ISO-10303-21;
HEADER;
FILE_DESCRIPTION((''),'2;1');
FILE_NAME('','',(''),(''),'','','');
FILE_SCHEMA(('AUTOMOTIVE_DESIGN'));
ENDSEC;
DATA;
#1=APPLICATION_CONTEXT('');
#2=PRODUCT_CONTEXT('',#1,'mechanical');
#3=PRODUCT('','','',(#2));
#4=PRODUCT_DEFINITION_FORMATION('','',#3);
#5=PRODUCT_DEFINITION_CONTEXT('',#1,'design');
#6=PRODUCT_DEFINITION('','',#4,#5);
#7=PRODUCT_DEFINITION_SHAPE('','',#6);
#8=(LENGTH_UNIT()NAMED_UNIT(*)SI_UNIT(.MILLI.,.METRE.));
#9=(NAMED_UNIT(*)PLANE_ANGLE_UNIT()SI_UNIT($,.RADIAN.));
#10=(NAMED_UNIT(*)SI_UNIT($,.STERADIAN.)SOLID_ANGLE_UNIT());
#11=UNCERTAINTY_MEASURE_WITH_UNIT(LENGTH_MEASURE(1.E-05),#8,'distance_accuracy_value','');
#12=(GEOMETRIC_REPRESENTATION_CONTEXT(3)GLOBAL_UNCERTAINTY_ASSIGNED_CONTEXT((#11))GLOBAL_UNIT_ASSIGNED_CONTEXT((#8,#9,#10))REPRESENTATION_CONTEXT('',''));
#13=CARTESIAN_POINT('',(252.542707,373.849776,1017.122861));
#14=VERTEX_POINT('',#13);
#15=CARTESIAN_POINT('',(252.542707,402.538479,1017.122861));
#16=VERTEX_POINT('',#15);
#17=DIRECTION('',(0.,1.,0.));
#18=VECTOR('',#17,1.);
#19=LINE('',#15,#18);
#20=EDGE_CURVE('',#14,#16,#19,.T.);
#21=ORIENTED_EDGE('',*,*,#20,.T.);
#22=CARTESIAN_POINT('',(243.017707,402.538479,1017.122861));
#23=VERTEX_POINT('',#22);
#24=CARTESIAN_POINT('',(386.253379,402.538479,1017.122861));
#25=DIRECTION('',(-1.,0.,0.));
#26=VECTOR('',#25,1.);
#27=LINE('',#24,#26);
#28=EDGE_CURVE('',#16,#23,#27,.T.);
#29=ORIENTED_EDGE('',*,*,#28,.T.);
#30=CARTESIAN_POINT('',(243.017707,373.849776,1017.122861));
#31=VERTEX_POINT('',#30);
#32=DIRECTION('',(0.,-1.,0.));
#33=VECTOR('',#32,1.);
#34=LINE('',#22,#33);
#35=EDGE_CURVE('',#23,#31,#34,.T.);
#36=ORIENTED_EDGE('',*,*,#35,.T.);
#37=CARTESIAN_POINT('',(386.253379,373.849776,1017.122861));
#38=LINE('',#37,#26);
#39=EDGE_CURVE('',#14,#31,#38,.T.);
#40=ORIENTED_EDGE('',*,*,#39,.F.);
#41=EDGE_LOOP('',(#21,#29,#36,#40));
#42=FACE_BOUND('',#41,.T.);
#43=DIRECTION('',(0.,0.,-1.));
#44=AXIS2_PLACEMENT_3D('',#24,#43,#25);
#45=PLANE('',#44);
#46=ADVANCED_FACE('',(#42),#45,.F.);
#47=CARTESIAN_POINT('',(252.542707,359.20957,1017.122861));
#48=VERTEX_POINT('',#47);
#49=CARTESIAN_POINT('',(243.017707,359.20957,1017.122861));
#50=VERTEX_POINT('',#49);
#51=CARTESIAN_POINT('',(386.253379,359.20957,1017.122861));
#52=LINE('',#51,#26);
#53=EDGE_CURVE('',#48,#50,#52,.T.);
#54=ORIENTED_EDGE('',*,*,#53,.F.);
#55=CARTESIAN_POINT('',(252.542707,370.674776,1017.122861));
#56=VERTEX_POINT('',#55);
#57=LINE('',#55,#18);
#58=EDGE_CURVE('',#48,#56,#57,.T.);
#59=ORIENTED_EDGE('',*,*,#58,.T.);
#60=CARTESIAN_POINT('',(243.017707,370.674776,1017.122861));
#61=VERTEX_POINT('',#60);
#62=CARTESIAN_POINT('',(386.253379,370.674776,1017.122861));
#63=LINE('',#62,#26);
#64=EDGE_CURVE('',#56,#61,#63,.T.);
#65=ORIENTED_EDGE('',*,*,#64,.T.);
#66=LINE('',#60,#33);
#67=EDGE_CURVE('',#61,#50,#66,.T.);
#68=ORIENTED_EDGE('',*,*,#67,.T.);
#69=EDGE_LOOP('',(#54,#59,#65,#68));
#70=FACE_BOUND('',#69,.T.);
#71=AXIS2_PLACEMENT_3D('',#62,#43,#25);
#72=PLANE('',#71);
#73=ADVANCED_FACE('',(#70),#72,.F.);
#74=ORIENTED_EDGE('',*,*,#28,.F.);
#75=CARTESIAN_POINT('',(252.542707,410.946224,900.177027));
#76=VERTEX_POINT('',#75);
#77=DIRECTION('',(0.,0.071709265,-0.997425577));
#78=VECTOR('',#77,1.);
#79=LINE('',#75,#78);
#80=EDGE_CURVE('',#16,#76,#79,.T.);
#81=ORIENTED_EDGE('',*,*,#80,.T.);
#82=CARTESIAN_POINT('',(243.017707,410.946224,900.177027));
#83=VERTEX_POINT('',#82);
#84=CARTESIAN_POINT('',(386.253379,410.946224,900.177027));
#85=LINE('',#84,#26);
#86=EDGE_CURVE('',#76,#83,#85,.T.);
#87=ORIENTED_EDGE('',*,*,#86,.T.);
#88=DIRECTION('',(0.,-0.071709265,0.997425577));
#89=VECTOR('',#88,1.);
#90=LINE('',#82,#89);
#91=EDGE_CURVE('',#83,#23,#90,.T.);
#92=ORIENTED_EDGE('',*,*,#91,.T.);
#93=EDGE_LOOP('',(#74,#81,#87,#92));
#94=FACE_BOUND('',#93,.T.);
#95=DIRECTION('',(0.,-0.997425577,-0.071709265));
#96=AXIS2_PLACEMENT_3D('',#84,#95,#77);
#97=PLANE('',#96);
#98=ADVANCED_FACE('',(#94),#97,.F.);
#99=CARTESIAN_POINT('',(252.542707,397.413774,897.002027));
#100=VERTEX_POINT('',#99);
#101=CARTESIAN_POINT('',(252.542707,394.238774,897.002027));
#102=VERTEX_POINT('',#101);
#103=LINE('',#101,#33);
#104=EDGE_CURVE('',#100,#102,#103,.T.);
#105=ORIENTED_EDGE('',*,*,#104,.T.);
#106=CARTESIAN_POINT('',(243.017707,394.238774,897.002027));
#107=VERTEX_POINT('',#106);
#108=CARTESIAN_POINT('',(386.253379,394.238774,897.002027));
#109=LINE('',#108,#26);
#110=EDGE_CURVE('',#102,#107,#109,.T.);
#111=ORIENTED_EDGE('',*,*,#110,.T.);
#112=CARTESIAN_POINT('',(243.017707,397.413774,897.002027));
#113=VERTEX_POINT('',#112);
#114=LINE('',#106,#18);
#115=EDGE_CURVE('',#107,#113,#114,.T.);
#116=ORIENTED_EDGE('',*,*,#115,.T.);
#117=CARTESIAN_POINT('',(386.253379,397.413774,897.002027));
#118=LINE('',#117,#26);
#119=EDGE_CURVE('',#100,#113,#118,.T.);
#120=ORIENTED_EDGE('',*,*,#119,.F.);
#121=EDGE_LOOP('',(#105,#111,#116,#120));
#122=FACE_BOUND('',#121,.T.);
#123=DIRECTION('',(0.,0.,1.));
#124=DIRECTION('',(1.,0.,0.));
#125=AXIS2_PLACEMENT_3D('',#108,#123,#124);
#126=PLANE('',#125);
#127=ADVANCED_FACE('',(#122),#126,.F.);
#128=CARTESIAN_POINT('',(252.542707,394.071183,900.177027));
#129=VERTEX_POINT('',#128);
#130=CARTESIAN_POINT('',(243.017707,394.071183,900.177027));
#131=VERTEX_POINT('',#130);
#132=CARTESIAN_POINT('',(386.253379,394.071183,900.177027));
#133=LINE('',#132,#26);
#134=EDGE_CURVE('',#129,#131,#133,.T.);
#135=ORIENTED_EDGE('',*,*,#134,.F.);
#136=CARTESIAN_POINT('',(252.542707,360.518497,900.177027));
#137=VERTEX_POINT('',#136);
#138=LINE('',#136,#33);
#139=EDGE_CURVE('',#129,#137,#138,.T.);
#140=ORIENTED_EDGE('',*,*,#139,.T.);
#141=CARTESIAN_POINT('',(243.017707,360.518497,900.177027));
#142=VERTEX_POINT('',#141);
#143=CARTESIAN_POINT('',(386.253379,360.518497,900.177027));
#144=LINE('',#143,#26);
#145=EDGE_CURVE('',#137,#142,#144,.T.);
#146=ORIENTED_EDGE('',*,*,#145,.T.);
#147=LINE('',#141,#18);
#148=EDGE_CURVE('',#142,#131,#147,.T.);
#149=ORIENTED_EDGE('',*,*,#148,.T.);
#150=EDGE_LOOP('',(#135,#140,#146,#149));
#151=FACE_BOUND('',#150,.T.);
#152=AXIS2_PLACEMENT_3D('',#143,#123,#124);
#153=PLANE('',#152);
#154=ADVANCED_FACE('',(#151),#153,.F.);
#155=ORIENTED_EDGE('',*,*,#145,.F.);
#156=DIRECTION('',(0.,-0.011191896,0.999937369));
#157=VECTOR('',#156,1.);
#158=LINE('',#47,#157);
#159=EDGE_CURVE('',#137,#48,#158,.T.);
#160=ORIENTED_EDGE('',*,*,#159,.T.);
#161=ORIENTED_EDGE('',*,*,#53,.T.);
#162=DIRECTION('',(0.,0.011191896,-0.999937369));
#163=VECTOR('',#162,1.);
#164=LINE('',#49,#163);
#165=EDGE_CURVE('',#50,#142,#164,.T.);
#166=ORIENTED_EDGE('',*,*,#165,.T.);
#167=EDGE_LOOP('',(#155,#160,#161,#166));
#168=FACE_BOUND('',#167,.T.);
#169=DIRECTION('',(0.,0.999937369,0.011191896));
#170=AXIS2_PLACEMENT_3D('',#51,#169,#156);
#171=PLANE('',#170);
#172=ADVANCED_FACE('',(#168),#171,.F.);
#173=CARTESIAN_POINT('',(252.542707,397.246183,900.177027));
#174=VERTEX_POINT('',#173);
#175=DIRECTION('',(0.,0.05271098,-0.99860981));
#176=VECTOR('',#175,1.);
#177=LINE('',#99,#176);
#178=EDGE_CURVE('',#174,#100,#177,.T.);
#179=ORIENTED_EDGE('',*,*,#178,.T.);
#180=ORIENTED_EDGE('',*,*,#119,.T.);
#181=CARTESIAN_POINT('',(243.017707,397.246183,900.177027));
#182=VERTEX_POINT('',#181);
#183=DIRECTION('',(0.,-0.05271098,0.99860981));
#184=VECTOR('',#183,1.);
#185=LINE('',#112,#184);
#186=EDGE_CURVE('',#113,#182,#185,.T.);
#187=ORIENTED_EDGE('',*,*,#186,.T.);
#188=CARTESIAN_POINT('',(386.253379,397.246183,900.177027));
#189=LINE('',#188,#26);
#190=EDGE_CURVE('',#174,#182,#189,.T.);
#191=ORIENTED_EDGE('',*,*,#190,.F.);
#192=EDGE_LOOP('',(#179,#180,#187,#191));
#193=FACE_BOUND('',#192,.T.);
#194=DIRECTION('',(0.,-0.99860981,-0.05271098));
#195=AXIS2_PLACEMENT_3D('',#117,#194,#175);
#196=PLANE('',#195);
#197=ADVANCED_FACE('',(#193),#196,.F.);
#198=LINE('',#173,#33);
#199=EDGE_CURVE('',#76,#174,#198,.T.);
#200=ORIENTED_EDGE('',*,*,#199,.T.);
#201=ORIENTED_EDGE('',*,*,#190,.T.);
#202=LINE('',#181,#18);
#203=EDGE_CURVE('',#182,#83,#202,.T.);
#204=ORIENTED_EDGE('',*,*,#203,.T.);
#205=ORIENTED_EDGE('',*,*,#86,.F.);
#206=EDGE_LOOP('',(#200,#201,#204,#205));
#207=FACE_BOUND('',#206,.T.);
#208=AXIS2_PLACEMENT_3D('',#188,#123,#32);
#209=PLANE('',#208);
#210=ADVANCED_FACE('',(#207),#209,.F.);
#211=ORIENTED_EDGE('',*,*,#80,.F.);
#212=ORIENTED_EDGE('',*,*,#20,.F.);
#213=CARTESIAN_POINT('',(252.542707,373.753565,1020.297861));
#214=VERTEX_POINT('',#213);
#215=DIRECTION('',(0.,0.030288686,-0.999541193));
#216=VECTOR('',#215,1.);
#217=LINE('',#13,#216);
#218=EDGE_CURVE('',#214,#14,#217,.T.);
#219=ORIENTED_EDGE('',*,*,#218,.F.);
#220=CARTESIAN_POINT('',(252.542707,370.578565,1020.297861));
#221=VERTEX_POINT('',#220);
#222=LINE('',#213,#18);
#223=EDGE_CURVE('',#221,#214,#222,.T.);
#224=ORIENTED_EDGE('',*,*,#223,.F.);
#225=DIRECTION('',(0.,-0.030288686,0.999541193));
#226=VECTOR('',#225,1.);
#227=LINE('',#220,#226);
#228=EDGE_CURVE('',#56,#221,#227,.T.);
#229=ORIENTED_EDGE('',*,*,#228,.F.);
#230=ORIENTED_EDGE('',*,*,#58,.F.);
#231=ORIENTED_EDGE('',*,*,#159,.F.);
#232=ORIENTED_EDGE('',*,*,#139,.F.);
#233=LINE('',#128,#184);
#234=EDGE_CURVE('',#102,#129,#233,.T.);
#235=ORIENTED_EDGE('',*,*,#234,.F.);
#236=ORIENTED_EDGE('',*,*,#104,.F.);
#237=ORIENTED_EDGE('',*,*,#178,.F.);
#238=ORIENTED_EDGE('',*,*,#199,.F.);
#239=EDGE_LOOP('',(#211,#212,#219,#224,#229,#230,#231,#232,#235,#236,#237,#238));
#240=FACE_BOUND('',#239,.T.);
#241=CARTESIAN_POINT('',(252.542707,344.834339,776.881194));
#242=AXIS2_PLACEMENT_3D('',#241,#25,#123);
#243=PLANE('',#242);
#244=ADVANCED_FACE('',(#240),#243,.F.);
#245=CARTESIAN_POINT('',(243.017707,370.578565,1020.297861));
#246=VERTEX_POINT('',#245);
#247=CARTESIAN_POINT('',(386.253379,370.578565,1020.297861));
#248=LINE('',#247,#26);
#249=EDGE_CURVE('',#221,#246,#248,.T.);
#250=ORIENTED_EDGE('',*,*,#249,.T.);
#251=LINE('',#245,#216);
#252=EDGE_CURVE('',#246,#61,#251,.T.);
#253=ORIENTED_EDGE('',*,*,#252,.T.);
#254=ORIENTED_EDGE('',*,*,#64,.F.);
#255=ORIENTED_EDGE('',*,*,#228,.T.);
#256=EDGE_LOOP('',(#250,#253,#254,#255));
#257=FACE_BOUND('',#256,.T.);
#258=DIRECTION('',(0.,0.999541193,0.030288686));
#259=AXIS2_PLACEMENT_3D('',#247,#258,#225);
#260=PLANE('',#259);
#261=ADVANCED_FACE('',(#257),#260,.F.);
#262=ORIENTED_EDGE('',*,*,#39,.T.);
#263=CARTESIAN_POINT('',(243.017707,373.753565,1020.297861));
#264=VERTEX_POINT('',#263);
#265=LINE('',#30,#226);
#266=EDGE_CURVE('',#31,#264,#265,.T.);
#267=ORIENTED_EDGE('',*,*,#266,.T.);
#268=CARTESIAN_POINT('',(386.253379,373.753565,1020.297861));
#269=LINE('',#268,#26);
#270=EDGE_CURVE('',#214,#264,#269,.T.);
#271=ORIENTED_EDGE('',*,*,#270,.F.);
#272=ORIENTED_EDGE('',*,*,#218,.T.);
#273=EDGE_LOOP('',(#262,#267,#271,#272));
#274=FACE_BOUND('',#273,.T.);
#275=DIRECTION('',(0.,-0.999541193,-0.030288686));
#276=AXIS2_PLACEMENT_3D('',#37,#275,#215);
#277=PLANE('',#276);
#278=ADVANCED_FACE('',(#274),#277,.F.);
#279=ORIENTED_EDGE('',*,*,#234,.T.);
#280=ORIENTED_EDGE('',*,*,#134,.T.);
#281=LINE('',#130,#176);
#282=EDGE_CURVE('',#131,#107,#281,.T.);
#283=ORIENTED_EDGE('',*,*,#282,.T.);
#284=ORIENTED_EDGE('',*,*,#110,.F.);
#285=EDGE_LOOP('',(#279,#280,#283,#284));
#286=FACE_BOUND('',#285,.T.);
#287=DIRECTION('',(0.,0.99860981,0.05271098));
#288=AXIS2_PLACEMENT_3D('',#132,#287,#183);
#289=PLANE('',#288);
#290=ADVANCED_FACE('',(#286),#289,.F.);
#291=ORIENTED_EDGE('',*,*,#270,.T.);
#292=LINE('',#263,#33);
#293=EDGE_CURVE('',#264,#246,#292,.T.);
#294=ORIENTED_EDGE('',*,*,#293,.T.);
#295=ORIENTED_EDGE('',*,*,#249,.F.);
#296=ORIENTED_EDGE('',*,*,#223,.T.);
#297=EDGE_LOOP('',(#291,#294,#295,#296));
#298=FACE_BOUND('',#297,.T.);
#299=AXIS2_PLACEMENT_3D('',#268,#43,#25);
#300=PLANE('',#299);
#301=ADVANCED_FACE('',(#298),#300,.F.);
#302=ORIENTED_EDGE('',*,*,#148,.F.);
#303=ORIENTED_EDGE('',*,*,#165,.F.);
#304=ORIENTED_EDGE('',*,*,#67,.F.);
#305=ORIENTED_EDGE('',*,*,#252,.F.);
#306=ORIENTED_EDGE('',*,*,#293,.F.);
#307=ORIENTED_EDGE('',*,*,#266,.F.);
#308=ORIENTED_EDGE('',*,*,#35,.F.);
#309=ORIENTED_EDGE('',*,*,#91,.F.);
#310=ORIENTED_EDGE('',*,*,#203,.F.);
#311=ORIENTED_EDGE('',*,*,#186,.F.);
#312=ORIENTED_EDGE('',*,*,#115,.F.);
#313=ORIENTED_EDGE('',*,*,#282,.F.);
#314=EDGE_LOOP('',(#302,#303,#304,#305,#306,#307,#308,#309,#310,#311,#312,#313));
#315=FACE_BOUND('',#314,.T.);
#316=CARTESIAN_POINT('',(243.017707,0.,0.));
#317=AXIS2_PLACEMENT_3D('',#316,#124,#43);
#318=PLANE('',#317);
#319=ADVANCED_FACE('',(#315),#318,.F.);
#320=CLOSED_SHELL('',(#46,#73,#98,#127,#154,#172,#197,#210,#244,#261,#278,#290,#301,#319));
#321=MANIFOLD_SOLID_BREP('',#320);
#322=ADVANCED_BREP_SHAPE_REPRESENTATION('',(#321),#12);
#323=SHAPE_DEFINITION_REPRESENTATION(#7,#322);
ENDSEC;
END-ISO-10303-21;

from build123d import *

# Parameters (mm, degrees)
BOSS_EXTRUDE1_DEPTH = 9.525


with BuildPart() as part:
    # Sketch1 → Boss-Extrude1 (new body)
    with BuildSketch(Plane(origin=(243.017706631, 0, 0), x_dir=(0, 0, -1), z_dir=(1, 0, 0))):
        Polygon((-1020.29786066, 373.753565461), (-1020.29786066, 370.578565461), (-1017.12286066, 370.67477618), (-1017.12286066, 359.209569565), (-900.177027496, 360.518497171), (-900.177027496, 394.071183288), (-897.002027496, 394.238773631), (-897.002027496, 397.413773631), (-900.177027496, 397.246183288), (-900.177027496, 410.946223778), (-1017.12286066, 402.538478922), (-1017.12286066, 373.84977618), align=None)
    extrude(amount=BOSS_EXTRUDE1_DEPTH)


solid = part.part
